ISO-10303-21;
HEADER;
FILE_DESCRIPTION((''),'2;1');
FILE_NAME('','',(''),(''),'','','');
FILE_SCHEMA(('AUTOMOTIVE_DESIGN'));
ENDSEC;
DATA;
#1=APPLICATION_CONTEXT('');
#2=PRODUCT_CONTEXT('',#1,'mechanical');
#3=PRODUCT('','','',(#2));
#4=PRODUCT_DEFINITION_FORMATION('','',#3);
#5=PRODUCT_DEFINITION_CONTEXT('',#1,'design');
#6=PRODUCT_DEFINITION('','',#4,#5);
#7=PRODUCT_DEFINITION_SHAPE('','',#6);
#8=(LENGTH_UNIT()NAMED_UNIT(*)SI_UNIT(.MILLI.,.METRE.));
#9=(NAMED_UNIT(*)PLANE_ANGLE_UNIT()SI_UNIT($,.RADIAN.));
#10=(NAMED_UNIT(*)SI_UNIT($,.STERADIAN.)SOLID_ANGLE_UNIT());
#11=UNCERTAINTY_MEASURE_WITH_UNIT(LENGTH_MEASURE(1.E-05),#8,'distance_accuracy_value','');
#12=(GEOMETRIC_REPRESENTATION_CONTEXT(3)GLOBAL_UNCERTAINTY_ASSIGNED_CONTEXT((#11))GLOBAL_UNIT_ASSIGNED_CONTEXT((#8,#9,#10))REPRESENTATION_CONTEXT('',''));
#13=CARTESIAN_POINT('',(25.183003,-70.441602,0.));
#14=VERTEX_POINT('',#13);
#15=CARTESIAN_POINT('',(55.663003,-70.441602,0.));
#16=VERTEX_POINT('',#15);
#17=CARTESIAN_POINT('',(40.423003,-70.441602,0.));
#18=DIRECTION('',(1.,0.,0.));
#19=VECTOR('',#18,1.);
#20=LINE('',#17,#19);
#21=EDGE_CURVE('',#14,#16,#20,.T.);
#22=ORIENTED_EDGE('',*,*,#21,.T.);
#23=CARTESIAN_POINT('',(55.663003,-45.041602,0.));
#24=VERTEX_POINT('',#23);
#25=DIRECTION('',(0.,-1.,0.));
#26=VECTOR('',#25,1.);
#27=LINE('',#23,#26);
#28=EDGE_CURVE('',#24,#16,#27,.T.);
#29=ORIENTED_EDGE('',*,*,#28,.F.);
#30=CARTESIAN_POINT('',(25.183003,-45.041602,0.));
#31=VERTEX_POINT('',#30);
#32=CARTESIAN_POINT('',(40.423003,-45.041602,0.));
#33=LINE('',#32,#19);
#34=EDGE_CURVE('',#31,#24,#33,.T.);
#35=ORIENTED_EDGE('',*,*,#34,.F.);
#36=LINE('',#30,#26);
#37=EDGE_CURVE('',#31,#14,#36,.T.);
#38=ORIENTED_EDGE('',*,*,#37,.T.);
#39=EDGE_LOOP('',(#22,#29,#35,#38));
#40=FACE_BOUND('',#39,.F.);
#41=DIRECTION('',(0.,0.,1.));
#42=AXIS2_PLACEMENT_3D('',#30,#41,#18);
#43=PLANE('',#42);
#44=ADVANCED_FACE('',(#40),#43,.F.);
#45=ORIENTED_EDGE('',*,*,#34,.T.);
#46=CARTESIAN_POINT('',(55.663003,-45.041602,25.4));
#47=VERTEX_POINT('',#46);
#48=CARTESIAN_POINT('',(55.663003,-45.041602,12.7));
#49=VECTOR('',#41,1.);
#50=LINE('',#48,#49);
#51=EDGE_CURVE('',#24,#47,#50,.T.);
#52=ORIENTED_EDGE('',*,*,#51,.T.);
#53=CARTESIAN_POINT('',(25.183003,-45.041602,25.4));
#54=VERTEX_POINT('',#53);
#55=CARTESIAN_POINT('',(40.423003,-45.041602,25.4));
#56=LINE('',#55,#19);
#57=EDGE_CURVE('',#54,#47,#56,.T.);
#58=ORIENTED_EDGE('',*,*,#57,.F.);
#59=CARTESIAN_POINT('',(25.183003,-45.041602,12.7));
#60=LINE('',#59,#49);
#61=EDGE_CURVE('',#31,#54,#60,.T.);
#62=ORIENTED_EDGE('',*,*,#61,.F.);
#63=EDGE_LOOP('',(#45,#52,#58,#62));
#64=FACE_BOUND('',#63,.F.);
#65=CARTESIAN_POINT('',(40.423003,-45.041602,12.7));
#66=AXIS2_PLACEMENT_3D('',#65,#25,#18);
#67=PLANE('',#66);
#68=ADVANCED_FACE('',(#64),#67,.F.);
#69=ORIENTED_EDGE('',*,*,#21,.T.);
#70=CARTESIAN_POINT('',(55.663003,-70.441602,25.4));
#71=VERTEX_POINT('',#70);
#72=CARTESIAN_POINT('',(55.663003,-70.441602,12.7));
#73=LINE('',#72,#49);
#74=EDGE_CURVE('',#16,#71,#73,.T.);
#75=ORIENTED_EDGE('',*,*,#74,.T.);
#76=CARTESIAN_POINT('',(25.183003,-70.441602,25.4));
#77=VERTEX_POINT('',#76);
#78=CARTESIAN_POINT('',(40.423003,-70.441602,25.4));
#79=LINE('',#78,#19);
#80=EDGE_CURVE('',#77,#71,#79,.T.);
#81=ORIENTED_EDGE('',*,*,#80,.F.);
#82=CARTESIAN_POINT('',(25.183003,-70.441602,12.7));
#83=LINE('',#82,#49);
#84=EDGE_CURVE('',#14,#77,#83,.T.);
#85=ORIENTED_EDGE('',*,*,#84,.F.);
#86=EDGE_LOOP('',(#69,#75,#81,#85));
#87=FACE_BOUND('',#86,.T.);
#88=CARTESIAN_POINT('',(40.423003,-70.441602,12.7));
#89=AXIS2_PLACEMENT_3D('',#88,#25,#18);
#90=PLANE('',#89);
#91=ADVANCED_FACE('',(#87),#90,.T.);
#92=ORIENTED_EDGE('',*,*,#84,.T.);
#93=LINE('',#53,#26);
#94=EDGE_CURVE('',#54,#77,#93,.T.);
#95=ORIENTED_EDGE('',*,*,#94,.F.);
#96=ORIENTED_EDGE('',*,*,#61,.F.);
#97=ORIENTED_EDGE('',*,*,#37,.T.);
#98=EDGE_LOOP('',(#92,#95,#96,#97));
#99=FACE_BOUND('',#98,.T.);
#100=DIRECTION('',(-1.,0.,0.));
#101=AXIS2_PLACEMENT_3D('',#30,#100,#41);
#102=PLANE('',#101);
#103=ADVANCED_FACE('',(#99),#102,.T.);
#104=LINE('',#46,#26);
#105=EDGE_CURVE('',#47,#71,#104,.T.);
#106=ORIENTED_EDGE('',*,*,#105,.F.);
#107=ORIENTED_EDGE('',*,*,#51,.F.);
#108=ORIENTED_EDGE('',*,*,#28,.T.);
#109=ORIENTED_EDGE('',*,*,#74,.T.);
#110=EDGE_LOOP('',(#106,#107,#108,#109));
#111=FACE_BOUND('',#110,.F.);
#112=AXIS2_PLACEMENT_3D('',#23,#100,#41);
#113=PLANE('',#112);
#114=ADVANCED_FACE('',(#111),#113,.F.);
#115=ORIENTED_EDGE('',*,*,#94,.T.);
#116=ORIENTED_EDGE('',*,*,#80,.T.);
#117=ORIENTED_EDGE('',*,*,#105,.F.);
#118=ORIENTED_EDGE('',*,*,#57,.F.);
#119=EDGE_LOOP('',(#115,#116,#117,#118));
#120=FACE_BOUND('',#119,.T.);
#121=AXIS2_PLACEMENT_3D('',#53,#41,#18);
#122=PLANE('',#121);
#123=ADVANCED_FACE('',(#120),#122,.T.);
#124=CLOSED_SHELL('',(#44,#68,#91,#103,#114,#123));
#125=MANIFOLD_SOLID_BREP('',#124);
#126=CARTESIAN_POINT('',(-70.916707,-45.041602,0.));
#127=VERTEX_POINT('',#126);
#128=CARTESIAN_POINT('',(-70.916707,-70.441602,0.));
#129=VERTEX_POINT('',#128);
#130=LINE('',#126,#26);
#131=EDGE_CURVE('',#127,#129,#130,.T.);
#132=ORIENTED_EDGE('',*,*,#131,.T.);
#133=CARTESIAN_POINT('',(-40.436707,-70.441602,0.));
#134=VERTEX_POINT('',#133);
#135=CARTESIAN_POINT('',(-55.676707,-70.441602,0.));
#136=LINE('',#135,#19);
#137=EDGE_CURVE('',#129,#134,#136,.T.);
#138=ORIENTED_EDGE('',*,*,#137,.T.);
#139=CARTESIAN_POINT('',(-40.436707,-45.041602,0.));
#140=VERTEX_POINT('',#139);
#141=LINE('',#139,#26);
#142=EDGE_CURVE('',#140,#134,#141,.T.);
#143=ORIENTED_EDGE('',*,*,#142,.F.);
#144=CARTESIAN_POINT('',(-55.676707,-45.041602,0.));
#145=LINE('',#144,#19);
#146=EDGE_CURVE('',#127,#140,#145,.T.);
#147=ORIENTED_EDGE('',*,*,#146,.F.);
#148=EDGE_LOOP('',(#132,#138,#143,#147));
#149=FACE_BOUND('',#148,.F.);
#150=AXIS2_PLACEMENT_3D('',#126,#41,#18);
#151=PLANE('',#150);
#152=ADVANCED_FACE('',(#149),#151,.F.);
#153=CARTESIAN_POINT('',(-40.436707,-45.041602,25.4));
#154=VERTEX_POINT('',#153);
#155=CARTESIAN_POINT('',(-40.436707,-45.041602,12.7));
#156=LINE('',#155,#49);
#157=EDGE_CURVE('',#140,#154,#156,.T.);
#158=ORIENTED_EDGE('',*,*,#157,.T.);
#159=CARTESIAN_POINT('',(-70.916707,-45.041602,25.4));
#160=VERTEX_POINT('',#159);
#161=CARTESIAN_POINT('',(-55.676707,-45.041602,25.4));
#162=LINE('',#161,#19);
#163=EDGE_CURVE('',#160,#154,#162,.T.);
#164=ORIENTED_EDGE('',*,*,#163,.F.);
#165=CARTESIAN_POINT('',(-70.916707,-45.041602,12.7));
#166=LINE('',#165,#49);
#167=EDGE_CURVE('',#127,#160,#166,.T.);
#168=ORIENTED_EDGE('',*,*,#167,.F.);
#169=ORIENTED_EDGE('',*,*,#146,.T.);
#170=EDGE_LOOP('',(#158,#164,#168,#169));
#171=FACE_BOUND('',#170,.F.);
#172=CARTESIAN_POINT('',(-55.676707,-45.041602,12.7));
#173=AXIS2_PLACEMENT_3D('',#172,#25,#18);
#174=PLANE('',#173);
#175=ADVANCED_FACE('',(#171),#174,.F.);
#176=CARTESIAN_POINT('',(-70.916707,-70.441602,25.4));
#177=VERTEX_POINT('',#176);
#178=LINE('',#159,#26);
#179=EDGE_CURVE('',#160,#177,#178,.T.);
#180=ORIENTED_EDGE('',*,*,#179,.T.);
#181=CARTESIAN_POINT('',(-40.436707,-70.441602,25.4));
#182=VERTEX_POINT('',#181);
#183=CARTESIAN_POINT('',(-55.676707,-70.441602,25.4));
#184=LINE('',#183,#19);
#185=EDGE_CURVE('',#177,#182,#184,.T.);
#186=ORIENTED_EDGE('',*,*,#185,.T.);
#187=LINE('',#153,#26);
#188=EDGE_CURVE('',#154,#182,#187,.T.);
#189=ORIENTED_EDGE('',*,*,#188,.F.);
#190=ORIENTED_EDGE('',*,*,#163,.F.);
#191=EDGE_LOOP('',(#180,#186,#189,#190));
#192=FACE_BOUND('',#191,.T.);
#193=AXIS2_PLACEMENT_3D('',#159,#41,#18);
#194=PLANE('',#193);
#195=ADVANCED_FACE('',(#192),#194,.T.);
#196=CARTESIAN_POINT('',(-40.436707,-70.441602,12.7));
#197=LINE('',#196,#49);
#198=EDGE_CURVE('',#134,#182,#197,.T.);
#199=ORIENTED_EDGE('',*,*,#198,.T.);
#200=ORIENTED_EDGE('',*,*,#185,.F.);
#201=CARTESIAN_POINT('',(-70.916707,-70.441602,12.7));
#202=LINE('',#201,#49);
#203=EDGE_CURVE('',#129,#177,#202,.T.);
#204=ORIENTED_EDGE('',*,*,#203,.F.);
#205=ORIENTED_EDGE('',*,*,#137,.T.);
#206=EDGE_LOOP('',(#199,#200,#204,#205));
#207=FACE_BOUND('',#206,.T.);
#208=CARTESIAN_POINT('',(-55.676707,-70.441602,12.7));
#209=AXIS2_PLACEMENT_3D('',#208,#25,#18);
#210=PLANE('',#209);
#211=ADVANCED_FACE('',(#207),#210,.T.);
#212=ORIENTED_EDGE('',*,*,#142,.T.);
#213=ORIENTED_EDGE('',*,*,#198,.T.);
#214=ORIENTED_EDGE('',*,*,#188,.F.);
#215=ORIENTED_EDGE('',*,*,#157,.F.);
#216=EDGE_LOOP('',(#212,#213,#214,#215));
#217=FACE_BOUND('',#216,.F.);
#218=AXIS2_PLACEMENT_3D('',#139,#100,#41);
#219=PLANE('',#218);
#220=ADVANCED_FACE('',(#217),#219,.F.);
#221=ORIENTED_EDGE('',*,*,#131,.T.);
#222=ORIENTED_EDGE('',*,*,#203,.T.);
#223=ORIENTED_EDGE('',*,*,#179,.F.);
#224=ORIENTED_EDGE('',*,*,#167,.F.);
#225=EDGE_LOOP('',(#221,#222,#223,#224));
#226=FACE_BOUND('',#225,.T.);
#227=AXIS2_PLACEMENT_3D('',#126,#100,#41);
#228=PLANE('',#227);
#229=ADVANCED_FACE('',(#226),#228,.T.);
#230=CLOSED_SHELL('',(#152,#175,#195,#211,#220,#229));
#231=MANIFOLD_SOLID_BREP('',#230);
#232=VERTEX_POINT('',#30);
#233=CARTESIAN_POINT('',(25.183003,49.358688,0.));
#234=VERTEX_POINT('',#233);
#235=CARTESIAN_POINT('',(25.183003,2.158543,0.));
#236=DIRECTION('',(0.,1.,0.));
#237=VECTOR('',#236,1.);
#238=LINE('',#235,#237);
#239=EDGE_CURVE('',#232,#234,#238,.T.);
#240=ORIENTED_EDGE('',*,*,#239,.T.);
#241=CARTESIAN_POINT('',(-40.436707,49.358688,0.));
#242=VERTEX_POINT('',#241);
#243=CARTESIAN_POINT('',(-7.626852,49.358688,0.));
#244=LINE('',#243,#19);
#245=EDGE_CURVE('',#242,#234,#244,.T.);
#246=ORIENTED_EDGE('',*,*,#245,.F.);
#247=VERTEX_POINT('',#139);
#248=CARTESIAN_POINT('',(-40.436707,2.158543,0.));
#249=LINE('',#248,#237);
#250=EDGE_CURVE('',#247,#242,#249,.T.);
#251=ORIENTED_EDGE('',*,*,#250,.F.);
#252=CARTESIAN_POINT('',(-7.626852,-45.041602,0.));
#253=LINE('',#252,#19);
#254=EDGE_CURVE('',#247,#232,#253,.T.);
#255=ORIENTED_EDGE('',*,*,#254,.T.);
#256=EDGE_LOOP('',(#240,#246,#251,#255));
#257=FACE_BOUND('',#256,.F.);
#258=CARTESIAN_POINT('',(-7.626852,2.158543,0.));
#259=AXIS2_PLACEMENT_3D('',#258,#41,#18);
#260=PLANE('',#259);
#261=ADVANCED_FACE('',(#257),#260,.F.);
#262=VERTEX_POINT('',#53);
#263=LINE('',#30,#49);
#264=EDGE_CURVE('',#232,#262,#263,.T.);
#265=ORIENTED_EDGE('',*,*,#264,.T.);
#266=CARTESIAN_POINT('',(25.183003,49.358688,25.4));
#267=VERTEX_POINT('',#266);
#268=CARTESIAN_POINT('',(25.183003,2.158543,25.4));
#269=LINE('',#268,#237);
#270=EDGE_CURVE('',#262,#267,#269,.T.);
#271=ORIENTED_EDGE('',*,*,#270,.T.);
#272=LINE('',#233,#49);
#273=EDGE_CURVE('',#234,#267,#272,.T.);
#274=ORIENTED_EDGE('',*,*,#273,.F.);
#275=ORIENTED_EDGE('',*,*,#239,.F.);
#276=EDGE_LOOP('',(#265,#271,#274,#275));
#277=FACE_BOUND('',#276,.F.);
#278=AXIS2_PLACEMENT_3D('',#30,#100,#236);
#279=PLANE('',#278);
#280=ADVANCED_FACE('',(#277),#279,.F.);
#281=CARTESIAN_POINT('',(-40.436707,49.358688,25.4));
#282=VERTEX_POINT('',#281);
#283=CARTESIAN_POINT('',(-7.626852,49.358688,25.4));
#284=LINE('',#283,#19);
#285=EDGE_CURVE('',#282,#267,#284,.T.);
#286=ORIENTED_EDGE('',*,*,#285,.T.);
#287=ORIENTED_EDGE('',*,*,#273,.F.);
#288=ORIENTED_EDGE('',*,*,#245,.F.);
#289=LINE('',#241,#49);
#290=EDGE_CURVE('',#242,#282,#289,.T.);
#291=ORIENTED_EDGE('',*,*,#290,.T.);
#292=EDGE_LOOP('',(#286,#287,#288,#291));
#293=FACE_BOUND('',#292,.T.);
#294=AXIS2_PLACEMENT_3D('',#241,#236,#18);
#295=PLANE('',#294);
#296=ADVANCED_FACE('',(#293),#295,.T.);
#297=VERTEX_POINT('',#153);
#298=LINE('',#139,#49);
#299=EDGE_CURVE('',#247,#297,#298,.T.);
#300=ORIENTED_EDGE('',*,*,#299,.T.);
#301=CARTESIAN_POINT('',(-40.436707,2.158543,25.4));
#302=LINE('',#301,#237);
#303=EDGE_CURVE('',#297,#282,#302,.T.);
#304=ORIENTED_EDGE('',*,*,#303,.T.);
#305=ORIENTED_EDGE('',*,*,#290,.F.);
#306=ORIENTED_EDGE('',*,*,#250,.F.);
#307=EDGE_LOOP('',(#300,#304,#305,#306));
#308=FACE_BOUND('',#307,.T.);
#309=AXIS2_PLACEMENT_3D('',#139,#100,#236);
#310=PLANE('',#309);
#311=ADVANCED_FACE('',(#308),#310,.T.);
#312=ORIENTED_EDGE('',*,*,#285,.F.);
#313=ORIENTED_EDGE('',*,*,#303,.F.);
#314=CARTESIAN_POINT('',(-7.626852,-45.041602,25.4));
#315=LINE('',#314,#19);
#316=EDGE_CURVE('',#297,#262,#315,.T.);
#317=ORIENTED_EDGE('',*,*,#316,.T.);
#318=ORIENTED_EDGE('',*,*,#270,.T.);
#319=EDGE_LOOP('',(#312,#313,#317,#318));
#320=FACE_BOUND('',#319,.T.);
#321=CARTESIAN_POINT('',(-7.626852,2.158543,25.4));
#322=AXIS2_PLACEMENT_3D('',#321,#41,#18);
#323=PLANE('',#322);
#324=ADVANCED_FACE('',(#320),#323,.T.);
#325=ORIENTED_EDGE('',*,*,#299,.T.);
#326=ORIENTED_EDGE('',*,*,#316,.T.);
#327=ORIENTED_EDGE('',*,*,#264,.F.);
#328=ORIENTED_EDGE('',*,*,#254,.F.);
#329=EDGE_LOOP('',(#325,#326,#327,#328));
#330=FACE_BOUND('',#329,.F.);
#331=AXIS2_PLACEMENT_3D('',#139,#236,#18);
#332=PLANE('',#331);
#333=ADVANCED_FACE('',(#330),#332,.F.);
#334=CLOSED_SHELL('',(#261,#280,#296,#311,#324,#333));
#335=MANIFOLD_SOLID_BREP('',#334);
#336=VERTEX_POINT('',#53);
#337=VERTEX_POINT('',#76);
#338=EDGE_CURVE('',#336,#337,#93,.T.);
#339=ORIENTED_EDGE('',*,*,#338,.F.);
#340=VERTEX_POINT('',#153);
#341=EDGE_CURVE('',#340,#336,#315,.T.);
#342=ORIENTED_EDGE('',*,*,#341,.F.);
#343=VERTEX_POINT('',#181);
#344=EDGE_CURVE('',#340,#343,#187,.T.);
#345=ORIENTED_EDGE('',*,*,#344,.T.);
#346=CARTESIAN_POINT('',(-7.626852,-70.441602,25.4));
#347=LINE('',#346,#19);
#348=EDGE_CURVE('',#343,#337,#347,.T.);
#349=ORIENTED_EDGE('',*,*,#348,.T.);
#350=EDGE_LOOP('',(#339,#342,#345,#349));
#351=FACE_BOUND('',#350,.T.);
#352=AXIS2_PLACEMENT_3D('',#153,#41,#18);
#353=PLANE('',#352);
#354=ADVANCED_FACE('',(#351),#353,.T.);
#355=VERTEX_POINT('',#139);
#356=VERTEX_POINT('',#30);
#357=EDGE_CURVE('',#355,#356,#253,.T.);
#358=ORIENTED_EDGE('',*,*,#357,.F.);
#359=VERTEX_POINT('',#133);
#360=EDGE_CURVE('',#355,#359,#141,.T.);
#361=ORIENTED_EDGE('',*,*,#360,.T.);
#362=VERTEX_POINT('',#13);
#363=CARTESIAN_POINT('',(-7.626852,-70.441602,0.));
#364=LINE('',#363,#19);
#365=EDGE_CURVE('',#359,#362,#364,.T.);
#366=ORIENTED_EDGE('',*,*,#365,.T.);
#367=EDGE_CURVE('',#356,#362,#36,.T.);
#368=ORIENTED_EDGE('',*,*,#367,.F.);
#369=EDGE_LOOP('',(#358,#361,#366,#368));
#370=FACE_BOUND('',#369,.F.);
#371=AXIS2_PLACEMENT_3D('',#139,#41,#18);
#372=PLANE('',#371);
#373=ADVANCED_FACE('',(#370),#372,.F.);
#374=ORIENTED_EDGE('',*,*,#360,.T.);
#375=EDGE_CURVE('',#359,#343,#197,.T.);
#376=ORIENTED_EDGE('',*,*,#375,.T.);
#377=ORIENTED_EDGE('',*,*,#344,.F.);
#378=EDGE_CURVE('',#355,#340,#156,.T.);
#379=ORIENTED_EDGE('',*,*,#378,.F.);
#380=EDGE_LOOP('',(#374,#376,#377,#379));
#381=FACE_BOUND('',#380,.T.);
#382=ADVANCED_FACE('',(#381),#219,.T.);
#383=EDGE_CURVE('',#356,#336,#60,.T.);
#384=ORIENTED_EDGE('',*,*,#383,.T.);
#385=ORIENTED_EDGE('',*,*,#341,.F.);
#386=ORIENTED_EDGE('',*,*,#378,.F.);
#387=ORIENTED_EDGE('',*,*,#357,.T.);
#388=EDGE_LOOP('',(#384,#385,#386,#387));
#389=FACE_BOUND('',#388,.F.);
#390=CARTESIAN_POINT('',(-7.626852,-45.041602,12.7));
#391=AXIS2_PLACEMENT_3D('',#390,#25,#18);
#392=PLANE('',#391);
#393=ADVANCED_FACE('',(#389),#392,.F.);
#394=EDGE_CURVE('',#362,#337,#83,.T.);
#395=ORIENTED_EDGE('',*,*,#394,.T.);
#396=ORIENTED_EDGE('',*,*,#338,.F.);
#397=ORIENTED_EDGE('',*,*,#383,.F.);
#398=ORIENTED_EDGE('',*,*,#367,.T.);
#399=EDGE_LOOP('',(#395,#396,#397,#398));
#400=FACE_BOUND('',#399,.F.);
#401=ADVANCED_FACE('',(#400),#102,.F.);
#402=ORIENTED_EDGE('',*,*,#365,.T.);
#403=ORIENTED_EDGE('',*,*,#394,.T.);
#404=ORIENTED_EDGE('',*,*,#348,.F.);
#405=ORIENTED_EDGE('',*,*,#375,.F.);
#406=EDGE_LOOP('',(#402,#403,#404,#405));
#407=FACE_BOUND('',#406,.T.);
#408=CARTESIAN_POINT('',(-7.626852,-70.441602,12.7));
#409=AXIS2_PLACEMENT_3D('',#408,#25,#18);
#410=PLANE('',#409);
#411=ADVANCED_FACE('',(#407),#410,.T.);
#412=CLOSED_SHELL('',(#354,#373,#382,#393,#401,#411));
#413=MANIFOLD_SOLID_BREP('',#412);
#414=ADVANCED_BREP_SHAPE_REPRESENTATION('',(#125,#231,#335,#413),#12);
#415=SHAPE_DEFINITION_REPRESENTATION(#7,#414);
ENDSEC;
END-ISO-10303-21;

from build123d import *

# Parameters (mm, degrees)
F0_W     = 65.61971
F0_H     = 94.40029
F1_DEPTH = 25.4
F2_W     = 30.48
F2_H     = 25.4
F3_DEPTH = 25.4
F4_W     = 65.61971
F4_H     = 25.4
F5_DEPTH = 25.4


with BuildPart() as f1:
    # F0 (on Top) → F1 (new body)
    with BuildSketch(Plane.XY):
        with Locations((-7.626852, 2.158543)):
            Rectangle(F0_W, F0_H)
    extrude(amount=F1_DEPTH)


with BuildPart() as f3:
    # F2 (on face) → F3 (new body)
    with BuildSketch(Plane.XZ.offset(45.041602)):
        with Locations((-55.676707, 12.7)):
            Rectangle(F2_W, F2_H)
        with Locations((40.423003, 12.7)):
            Rectangle(F2_W, F2_H)
    extrude(amount=F3_DEPTH)


with BuildPart() as f5:
    # F4 (on face) → F5 (new body)
    with BuildSketch(Plane.XZ.offset(45.041602)):
        with Locations((-7.626852, 12.7)):
            Rectangle(F4_W, F4_H)
    extrude(amount=F5_DEPTH)


solid = Compound([f1.part, f3.part, f5.part])
